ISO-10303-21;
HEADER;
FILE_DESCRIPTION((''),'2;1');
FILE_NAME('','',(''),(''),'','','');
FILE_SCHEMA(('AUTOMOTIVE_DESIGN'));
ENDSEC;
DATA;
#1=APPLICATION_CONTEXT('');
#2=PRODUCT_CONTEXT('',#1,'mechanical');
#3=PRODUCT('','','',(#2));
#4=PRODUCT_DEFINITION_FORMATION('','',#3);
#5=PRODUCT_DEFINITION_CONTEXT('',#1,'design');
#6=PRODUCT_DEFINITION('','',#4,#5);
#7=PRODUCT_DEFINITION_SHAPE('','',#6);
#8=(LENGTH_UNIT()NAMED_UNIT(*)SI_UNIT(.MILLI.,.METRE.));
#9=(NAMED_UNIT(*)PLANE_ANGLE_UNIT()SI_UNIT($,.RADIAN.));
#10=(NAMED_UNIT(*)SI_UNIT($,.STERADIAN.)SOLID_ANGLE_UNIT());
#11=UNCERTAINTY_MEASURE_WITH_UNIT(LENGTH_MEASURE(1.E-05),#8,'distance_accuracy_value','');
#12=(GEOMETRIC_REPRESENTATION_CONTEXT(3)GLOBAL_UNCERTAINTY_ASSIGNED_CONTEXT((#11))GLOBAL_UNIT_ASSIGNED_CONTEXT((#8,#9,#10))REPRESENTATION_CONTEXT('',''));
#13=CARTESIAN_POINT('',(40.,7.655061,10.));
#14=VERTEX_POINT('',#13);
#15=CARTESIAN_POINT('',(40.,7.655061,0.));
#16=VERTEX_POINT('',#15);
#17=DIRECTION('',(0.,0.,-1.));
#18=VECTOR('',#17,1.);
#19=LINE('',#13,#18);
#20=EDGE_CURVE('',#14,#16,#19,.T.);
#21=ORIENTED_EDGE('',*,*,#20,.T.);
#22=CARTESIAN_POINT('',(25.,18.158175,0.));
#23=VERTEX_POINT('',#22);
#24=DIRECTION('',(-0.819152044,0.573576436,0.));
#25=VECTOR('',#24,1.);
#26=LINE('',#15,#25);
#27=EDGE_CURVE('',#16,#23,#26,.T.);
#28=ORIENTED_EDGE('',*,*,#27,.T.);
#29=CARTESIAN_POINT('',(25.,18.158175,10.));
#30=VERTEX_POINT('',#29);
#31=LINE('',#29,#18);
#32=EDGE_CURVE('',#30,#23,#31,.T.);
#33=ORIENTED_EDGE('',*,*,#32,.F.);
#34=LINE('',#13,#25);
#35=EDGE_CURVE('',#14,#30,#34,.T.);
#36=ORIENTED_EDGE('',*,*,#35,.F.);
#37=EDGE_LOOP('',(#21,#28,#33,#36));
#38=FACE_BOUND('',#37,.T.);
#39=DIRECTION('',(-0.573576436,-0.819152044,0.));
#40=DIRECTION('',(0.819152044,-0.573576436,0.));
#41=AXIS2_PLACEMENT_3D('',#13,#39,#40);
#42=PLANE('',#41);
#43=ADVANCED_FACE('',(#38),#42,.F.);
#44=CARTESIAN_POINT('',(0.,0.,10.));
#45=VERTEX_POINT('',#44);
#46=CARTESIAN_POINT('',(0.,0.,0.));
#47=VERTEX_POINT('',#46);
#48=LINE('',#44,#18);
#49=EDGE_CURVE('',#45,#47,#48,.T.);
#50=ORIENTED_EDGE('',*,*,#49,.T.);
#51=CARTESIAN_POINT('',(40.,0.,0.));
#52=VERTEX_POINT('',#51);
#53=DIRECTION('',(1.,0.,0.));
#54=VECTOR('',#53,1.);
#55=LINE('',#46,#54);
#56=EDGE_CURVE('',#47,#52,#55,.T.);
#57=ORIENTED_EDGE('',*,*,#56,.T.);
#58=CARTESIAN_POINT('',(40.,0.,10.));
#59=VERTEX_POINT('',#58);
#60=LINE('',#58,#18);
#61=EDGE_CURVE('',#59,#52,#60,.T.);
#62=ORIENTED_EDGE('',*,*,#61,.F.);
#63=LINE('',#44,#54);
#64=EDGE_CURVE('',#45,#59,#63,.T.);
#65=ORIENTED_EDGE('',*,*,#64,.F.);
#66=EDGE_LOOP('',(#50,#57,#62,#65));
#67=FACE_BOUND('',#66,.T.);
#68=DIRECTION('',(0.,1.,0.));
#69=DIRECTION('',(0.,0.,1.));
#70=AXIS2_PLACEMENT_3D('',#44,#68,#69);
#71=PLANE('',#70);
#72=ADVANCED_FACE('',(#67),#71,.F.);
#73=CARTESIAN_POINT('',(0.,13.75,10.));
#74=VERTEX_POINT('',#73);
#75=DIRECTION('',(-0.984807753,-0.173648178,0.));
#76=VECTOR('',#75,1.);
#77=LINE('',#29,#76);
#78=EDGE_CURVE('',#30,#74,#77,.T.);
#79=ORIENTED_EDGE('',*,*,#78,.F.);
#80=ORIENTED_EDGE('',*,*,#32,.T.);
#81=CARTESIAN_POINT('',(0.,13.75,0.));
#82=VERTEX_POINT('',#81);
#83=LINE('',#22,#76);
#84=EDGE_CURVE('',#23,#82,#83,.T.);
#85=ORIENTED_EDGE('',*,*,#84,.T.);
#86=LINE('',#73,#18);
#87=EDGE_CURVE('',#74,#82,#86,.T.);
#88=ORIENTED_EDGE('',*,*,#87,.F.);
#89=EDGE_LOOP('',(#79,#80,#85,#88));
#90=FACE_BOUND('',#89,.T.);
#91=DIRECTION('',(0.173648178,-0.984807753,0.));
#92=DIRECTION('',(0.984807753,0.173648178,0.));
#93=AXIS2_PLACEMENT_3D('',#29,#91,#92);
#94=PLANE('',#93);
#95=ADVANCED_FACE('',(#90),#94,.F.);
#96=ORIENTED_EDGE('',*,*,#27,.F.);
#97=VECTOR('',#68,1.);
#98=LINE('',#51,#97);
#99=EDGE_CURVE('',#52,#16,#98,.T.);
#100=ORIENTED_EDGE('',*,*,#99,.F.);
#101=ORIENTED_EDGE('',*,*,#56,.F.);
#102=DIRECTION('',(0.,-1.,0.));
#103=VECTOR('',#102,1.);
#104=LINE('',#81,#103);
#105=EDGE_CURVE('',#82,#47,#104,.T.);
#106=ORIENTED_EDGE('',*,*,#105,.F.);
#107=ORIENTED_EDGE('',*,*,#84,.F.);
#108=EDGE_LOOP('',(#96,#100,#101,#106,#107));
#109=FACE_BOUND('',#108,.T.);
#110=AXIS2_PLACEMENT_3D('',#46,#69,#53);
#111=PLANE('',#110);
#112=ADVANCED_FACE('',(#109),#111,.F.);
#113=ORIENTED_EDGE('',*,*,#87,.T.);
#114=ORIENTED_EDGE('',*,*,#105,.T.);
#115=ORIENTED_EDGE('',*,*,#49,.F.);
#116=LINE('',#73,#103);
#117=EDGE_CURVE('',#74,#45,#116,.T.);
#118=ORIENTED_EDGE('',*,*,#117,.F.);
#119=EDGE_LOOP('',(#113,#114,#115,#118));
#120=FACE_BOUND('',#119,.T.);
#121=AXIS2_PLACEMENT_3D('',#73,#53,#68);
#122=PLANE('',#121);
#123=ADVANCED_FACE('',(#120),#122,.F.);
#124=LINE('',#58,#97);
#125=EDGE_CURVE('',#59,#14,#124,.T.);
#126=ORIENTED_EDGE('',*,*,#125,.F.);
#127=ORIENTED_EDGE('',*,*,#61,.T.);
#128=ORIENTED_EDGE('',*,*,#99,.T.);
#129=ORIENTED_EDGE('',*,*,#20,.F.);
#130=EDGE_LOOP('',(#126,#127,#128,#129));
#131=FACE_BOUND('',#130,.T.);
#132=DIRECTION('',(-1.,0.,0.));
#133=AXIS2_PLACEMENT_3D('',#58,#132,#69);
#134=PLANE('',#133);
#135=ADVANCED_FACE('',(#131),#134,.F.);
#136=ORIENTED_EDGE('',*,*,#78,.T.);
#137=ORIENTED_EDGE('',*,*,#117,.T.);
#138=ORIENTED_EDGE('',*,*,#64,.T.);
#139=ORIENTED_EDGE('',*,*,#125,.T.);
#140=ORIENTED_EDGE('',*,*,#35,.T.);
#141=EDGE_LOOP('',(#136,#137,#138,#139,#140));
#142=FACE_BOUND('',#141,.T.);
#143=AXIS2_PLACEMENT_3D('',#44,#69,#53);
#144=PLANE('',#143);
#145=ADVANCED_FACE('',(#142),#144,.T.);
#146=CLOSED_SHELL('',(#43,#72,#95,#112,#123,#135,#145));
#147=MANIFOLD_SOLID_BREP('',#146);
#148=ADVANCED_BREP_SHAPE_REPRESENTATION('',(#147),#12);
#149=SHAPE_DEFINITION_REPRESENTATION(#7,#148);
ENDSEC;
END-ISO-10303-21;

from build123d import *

# Parameters (mm, degrees)
BOSS_EXTRUDE1_DEPTH = 10


with BuildPart() as part:
    # Sketch1 → Boss-Extrude1 (new body)
    with BuildSketch(Plane.XY):
        Polygon((0, 0), (40, 0), (40, 7.655061445), (25, 18.158174518), (0, 13.75), align=None)
    extrude(amount=BOSS_EXTRUDE1_DEPTH)


solid = part.part
